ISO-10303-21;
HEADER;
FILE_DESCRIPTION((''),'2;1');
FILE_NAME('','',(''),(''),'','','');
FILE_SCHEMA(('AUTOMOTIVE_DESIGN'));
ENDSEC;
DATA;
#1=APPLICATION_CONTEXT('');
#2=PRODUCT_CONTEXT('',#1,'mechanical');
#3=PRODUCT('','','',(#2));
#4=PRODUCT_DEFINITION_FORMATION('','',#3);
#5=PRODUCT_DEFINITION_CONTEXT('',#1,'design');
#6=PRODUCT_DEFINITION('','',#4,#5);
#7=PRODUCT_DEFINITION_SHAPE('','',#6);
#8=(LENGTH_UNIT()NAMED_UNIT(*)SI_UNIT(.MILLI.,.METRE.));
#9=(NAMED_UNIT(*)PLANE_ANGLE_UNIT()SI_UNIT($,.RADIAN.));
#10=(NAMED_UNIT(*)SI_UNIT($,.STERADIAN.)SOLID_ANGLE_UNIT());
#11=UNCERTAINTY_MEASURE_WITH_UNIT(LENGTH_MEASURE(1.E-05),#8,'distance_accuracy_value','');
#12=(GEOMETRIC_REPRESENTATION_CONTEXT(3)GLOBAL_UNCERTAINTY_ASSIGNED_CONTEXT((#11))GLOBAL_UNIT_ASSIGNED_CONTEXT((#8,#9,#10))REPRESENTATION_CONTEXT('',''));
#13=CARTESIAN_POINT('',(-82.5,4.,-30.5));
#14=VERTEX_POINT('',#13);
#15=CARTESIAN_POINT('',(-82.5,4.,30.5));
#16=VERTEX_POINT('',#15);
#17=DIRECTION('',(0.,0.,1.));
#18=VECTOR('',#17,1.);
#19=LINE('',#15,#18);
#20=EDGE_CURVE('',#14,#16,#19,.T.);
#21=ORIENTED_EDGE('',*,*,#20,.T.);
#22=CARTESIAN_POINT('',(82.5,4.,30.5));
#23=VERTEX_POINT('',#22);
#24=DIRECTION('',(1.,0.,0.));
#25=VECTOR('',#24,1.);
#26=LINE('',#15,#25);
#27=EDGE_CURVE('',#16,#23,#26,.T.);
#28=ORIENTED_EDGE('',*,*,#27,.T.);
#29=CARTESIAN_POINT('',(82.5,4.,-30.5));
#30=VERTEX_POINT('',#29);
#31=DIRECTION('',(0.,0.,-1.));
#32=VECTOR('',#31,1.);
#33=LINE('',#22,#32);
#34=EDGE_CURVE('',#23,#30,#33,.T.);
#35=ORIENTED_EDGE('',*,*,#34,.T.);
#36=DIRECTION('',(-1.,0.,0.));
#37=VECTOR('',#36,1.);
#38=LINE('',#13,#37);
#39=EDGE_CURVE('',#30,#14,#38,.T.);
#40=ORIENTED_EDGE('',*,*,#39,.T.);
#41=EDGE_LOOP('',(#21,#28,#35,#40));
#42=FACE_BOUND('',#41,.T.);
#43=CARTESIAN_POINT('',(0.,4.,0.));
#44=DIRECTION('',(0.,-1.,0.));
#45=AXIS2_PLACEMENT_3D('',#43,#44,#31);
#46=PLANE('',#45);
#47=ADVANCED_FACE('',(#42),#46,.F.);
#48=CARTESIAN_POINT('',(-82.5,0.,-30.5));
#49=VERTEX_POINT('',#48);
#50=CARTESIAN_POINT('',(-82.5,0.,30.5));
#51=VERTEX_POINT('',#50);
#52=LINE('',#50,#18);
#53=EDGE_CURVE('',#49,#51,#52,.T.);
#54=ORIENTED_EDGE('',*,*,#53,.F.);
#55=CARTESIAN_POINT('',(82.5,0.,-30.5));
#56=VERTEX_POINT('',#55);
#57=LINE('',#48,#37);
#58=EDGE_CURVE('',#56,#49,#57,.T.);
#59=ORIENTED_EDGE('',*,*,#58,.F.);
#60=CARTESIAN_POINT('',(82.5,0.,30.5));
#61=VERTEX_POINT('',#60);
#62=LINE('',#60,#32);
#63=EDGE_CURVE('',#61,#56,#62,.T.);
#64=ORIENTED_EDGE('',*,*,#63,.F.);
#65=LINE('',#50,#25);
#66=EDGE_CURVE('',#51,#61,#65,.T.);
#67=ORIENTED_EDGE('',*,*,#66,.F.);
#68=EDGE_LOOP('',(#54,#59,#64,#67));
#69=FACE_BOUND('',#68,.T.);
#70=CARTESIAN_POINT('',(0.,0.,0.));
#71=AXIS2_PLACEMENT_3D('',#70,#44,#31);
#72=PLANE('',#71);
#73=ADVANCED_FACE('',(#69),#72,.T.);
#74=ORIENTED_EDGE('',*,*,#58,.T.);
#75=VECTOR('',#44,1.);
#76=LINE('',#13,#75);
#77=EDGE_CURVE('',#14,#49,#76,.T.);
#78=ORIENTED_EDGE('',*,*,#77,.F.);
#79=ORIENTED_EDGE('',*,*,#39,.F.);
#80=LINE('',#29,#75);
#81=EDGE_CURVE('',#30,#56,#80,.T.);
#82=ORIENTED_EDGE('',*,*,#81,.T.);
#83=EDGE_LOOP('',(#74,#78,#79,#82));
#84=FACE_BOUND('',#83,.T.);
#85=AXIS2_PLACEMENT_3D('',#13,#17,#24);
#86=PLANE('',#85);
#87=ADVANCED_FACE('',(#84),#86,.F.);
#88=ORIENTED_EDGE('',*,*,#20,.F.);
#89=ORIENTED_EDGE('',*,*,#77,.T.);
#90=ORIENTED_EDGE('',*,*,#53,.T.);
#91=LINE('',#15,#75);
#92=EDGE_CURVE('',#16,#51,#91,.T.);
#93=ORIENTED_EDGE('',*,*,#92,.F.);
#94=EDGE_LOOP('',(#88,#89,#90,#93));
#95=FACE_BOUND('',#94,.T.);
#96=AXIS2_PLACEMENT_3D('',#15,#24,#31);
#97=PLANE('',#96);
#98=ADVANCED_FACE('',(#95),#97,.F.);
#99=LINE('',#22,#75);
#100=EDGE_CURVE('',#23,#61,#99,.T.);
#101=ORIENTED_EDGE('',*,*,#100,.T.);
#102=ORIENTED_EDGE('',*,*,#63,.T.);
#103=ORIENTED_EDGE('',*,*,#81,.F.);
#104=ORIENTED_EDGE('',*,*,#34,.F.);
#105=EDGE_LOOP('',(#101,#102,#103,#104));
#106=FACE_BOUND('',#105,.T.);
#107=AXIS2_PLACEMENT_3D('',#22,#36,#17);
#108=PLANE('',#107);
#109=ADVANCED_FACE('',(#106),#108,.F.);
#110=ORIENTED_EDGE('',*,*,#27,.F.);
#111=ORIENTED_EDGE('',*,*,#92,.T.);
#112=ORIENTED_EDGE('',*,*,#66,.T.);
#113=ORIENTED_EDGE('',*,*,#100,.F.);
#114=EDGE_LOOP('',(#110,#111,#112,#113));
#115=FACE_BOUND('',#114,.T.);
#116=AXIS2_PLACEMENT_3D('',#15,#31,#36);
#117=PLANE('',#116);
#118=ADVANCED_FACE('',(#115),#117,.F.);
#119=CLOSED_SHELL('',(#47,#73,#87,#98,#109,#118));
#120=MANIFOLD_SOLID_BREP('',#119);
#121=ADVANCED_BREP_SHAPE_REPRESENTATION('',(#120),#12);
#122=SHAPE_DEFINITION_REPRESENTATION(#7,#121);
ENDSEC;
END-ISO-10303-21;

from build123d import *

# Parameters (mm, degrees)
SKETCH1_W           = 165
SKETCH1_H           = 61
BOSS_EXTRUDE1_DEPTH = 4


with BuildPart() as part:
    # Sketch1 → Boss-Extrude1 (new body)
    with BuildSketch(Plane(origin=(0, 0, 0), x_dir=(1, 0, 0), z_dir=(0, 1, 0))):
        Rectangle(SKETCH1_W, SKETCH1_H)
    extrude(amount=BOSS_EXTRUDE1_DEPTH)


solid = part.part
